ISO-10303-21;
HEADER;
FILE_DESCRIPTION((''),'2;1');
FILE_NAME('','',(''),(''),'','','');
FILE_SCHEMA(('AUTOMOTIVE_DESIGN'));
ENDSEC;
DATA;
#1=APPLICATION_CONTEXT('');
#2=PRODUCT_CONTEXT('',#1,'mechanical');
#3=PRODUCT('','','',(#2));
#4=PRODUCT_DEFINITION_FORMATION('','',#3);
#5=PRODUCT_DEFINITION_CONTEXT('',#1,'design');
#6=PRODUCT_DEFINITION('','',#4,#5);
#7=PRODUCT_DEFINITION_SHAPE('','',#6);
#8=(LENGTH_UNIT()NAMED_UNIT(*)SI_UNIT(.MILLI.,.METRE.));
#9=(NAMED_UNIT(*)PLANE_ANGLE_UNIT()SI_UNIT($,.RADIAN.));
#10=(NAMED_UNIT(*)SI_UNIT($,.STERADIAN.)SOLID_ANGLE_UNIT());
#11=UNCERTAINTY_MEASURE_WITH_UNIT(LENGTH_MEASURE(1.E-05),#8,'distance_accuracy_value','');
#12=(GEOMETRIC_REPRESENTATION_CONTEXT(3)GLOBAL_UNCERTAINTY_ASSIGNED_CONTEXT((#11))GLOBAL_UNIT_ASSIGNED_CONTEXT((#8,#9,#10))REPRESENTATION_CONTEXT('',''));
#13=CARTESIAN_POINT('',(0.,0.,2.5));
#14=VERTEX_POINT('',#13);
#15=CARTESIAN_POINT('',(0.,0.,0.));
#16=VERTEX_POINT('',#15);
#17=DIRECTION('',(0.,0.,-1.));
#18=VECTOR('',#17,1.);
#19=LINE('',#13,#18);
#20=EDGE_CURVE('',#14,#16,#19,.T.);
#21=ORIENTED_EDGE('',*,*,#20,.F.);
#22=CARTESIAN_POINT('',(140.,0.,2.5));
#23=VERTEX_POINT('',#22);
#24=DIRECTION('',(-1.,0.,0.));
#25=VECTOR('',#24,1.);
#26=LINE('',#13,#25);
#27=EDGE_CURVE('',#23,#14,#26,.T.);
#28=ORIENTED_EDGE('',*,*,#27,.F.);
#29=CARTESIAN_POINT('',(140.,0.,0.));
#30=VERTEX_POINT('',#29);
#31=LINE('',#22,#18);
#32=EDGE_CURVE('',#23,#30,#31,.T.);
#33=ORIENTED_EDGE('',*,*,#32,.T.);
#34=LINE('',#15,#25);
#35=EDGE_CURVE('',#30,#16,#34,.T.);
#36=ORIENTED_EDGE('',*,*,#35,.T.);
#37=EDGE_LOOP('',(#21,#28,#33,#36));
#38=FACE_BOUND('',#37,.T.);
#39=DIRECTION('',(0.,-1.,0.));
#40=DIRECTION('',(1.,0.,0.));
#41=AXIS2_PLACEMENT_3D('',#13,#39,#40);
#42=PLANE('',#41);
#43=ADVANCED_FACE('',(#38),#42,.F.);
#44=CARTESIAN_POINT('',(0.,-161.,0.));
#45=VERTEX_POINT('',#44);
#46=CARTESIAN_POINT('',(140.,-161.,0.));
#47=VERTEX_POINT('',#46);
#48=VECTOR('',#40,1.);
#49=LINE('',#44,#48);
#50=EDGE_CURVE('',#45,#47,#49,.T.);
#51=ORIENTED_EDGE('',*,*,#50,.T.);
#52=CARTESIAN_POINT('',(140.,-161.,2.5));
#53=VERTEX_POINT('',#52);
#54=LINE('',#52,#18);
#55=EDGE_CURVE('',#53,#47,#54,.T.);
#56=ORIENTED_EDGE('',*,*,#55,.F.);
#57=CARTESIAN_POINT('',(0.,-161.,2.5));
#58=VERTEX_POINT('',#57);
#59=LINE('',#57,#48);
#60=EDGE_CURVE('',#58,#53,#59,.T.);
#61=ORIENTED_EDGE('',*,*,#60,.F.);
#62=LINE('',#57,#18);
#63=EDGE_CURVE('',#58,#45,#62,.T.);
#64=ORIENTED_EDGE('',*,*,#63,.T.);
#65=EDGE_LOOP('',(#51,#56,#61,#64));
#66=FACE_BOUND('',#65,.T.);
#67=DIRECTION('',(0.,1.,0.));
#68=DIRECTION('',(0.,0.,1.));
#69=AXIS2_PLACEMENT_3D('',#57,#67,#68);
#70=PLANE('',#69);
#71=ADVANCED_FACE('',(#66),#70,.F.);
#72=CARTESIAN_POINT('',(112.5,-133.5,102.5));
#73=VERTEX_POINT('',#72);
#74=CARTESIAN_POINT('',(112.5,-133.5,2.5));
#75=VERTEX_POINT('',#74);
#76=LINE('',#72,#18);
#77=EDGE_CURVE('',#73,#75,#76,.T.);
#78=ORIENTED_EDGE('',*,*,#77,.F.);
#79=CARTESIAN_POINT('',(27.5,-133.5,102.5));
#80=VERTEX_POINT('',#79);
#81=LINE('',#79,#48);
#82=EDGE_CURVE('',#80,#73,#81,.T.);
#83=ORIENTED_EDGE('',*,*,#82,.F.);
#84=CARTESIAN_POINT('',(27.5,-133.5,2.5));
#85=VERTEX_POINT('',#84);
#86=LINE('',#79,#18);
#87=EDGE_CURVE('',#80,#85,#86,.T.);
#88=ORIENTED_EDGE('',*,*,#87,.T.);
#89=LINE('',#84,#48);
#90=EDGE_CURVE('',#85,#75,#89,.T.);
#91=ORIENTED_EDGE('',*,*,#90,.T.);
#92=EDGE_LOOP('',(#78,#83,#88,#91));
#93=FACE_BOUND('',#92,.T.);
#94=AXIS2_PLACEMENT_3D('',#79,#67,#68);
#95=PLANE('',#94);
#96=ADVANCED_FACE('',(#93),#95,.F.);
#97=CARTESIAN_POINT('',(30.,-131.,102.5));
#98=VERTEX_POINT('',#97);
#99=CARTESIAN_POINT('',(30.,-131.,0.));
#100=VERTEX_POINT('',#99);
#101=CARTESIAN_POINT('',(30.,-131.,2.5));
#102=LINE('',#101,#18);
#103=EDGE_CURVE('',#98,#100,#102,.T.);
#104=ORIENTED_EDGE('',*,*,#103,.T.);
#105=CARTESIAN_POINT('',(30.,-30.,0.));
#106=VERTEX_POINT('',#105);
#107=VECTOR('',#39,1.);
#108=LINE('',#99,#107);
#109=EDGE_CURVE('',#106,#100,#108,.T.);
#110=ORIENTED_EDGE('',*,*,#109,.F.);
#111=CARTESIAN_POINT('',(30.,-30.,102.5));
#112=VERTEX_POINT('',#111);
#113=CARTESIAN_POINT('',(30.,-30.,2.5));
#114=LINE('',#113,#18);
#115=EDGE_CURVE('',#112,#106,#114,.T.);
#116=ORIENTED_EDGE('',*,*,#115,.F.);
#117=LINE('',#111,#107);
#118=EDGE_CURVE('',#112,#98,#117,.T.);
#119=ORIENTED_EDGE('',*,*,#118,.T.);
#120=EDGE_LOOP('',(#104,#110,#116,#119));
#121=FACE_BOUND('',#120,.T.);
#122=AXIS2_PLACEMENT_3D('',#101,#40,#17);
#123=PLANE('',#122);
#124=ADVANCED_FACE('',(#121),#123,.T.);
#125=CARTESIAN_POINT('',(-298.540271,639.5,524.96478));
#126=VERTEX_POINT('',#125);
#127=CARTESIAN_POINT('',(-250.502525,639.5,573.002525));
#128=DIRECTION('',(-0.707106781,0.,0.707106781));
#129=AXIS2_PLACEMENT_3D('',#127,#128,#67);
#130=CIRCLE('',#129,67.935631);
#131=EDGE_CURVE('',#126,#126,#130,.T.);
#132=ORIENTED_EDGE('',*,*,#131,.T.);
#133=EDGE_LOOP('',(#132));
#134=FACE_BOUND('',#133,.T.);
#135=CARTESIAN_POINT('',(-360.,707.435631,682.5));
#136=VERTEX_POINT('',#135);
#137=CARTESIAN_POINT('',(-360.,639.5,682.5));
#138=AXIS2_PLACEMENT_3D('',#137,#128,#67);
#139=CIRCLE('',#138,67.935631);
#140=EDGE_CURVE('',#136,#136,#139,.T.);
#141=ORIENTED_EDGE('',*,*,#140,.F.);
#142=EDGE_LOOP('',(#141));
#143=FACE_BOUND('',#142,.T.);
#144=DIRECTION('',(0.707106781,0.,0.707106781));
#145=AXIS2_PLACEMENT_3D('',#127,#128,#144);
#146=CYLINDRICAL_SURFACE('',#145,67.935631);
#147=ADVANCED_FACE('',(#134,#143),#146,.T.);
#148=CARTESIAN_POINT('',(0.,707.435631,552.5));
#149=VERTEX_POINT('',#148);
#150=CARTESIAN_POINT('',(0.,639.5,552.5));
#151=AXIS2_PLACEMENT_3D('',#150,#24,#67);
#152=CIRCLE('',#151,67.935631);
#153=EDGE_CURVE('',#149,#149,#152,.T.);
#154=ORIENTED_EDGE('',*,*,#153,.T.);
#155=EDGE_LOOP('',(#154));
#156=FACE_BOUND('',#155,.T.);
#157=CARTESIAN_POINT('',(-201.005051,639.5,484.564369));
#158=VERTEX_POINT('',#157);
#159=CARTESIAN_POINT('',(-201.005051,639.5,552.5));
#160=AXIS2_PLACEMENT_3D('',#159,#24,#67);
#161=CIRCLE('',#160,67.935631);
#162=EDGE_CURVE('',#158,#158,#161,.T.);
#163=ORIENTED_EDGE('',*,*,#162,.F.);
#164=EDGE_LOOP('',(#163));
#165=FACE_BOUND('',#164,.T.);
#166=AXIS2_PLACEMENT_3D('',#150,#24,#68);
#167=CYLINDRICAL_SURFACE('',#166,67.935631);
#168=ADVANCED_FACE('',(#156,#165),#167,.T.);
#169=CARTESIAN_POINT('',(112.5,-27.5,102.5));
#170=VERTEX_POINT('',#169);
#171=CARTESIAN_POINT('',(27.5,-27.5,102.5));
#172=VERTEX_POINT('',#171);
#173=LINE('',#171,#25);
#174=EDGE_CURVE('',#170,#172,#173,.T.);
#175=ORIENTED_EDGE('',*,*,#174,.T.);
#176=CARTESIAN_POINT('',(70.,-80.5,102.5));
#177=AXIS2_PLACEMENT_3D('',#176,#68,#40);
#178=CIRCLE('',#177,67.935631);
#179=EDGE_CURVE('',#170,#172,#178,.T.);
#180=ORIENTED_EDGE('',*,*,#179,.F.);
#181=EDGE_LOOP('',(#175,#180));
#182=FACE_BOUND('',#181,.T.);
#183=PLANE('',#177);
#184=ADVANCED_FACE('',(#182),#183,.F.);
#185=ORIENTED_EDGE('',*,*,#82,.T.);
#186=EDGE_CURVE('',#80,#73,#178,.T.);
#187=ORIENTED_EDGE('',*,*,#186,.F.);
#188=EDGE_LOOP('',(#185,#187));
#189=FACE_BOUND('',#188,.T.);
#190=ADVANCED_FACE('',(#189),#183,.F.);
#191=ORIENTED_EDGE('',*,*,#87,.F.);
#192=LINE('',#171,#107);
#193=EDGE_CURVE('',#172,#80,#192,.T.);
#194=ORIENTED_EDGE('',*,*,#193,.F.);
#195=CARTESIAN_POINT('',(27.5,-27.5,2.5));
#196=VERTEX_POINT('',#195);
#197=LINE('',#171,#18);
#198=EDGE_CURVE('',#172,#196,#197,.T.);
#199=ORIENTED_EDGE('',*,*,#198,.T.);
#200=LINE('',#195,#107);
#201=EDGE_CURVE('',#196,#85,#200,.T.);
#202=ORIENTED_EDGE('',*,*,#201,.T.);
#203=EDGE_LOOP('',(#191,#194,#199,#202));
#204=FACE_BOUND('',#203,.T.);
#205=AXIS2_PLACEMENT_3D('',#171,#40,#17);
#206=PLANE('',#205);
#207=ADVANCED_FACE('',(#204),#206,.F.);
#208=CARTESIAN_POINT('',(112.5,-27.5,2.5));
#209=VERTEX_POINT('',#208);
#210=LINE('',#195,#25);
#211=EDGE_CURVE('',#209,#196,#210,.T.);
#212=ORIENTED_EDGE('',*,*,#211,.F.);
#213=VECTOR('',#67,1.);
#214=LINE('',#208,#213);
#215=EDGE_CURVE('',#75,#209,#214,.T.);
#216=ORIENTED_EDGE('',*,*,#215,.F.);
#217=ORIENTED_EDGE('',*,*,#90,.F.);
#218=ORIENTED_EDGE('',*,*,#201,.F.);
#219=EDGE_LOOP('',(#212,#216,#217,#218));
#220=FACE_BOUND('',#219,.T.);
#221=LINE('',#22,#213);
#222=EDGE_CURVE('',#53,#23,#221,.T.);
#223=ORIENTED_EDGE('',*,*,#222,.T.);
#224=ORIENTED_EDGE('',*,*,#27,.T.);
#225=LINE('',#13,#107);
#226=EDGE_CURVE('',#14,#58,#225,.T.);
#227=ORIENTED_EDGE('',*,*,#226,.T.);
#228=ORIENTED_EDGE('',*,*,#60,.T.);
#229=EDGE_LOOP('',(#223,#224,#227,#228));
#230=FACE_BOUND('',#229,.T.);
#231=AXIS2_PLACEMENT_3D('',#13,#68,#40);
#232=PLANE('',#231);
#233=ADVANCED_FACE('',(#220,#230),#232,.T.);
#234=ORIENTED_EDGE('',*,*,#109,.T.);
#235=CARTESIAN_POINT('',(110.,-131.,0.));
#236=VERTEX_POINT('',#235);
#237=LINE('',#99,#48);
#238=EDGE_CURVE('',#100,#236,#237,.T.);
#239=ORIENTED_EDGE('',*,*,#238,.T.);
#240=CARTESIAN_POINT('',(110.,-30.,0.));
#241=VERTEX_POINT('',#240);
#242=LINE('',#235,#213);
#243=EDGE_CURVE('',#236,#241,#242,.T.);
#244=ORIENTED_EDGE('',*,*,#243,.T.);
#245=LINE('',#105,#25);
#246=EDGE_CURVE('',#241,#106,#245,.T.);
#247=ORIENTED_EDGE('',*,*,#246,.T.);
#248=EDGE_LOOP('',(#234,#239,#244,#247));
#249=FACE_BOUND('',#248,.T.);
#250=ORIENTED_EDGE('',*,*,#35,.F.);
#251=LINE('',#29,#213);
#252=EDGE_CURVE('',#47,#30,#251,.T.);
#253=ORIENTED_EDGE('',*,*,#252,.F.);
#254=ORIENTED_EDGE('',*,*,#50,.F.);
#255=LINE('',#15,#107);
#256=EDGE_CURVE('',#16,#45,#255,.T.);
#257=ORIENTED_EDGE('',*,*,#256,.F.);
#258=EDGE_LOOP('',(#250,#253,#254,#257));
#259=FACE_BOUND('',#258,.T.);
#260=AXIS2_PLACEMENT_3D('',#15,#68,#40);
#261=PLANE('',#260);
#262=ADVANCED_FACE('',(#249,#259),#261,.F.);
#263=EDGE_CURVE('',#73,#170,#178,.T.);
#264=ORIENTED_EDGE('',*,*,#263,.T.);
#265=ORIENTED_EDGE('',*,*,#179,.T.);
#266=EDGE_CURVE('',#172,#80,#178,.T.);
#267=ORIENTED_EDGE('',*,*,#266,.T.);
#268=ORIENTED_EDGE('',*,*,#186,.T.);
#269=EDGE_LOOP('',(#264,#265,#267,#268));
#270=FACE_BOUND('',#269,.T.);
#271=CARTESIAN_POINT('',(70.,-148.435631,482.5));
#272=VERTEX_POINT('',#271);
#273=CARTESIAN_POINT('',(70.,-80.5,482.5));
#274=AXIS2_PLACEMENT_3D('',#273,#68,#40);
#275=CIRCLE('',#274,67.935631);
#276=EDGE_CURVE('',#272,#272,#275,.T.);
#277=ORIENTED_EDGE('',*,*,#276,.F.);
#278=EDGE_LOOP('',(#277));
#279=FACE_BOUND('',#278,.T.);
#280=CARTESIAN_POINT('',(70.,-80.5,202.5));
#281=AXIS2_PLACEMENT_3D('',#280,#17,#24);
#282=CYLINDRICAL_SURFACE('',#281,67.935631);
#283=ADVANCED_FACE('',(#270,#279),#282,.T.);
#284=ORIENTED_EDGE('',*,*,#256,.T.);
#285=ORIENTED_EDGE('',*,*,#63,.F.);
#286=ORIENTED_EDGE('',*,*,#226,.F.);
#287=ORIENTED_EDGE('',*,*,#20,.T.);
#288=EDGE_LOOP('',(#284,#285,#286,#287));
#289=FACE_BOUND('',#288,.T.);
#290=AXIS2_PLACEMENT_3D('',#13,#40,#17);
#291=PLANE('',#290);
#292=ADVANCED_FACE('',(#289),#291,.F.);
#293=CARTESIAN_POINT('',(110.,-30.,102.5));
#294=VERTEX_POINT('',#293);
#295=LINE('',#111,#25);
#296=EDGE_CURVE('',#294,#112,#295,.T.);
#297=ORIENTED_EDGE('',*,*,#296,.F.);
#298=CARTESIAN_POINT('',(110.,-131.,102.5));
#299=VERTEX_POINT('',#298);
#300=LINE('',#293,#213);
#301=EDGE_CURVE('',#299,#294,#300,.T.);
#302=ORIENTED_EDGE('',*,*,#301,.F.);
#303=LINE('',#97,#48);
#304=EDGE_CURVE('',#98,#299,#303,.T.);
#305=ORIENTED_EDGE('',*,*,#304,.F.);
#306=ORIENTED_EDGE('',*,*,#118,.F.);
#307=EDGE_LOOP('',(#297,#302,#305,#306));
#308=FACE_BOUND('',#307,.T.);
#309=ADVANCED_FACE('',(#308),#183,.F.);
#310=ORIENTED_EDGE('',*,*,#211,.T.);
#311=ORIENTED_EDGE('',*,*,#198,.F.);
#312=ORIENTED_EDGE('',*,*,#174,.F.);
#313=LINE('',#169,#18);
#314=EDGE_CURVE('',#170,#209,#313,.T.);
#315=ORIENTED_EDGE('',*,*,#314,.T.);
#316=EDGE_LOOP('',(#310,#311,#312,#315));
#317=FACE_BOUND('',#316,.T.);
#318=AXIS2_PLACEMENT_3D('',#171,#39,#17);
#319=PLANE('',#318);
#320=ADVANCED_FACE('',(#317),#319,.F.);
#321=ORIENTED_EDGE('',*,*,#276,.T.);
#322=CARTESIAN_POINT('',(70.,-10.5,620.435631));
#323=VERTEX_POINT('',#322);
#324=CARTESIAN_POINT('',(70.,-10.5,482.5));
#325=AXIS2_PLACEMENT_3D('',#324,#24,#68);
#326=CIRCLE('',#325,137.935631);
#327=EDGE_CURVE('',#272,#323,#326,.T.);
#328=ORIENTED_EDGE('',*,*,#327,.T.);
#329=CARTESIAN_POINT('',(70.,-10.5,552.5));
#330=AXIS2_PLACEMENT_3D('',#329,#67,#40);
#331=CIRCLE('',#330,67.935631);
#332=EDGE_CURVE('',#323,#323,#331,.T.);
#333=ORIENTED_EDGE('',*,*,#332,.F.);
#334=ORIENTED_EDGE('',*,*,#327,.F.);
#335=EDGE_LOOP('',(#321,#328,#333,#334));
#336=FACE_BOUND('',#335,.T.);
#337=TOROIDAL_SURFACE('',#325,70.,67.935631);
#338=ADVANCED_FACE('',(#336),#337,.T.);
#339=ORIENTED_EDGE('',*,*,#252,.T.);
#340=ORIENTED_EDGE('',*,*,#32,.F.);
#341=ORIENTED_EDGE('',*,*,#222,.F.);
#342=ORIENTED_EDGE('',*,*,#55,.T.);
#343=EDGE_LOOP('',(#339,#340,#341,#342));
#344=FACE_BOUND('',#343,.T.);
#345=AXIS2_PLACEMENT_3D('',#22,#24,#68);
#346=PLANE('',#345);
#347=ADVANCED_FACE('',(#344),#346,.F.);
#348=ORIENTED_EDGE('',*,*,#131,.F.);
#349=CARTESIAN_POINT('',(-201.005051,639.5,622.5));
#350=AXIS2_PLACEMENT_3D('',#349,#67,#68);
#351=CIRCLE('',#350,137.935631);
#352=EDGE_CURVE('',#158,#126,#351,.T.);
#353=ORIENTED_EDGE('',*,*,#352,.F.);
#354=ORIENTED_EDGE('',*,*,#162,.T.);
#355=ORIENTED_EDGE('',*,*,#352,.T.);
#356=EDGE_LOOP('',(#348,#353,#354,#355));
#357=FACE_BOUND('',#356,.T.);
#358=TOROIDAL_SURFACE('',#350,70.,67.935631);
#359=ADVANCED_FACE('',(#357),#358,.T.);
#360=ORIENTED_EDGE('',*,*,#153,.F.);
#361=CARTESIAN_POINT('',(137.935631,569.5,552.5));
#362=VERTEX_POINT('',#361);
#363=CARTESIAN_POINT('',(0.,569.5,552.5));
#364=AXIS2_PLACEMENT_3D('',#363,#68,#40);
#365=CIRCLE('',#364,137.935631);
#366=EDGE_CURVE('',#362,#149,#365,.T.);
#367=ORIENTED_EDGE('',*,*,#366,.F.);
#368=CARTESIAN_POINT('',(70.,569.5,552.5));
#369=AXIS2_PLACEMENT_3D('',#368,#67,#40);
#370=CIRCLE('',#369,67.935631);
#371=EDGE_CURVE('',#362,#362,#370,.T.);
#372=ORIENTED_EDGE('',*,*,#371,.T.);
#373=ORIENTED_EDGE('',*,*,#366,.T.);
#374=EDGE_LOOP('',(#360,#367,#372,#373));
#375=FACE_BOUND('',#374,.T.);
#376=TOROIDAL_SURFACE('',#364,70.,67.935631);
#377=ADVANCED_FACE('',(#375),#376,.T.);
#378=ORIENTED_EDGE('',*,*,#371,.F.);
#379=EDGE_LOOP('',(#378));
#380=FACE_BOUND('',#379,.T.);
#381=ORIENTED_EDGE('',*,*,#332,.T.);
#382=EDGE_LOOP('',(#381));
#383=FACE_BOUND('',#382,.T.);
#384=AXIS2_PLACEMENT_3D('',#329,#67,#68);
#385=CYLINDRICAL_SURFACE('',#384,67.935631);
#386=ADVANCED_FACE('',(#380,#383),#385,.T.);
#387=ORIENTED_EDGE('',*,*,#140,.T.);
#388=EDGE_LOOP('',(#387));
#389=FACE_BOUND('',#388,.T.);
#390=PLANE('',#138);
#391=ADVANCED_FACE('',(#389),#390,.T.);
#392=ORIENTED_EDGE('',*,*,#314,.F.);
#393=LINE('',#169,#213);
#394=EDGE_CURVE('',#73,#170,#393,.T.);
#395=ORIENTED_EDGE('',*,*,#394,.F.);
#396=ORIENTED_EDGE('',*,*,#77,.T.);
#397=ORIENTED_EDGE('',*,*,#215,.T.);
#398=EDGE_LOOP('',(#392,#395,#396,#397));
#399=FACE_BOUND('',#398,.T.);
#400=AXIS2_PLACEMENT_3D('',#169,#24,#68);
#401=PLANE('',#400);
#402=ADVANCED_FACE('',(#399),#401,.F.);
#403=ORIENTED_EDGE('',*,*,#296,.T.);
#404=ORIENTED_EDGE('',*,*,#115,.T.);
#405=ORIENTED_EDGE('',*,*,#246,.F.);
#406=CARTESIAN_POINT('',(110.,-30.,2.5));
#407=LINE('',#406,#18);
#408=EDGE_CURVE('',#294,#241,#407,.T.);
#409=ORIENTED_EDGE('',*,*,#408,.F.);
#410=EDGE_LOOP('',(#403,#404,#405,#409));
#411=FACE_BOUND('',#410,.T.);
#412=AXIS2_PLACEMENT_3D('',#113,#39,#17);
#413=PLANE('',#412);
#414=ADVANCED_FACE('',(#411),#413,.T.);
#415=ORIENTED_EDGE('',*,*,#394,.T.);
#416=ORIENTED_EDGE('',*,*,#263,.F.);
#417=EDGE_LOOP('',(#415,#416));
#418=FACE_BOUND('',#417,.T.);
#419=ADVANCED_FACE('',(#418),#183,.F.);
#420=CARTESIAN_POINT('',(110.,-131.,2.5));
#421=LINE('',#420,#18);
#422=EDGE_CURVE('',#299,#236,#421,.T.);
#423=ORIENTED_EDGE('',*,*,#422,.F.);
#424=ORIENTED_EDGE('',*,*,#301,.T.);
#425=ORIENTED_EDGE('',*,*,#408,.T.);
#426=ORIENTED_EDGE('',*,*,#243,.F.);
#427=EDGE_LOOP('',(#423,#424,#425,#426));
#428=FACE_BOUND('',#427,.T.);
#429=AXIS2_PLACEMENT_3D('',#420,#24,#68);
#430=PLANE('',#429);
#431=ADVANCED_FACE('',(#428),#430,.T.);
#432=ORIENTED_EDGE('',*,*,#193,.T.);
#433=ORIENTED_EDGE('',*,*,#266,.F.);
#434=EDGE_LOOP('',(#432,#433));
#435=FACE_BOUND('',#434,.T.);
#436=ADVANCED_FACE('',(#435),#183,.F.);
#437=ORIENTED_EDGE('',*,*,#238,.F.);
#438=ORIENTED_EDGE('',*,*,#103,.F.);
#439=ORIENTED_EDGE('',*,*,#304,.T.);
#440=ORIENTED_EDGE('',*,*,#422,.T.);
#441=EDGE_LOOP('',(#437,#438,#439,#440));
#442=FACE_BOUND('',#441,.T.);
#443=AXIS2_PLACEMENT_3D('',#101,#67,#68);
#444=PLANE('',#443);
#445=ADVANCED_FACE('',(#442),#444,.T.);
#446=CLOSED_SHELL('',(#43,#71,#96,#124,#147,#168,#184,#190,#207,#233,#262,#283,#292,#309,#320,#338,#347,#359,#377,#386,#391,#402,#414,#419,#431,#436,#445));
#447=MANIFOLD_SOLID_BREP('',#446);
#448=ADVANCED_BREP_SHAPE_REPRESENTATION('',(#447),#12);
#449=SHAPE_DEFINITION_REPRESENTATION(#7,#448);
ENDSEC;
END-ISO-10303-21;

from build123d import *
from build123d.topology import SkipClean

# Parameters (mm, degrees)
CROQUIS1_W              = 140
CROQUIS1_H              = 161
CROQUIS1_W_2            = 80
CROQUIS1_H_2            = 101
SALIENTE_EXTRUIR1_DEPTH = 2.5
CROQUIS2_W              = 85
CROQUIS2_H              = 106
CROQUIS2_W_2            = 80
CROQUIS2_H_2            = 101
SALIENTE_EXTRUIR2_DEPTH = 100
CROQUIS3_R              = 67.935631299
SALIENTE_EXTRUIR3_DEPTH = 100
CROQUIS4_R              = 67.935631299


with BuildPart() as part:
    # Croquis1 → Saliente-Extruir1 (new body)
    with BuildSketch(Plane.XY):
        with Locations((70, -80.5)):
            Rectangle(CROQUIS1_W, CROQUIS1_H)
        with Locations((70, -80.5)):
            Rectangle(CROQUIS1_W_2, CROQUIS1_H_2, mode=Mode.SUBTRACT)
    extrude(amount=SALIENTE_EXTRUIR1_DEPTH)

    # Croquis2 → Saliente-Extruir2 (add)
    with BuildSketch(Plane.XY.offset(2.5)):
        with Locations((70, -80.5)):
            Rectangle(CROQUIS2_W, CROQUIS2_H)
        with Locations((70, -80.5)):
            Rectangle(CROQUIS2_W_2, CROQUIS2_H_2, mode=Mode.SUBTRACT)
    extrude(amount=SALIENTE_EXTRUIR2_DEPTH)

    # Croquis3 → Saliente-Extruir3 (add)
    with BuildSketch(Plane.XY.offset(102.5)):
        with Locations(Location((70, -80.5, 0), (0, 0, 128.725665443))):
            Circle(CROQUIS3_R)
    extrude(amount=SALIENTE_EXTRUIR3_DEPTH)

    # Barrer1: sweep along a curve in space
    with SkipClean():  # the faces are left unmerged after this step: merging them gives an invalid solid
        with BuildLine() as barrer1_path:
            Line((70, -80.5, 202.5), (70, -80.5, 482.5))
            ThreePointArc((70, -80.5, 482.5), (70, -59.997474683, 531.997474683), (70, -10.5, 552.5))
            Line((70, -10.5, 552.5), (70, 569.5, 552.5))
            ThreePointArc((70, 569.5, 552.5), (49.497474683, 618.997474683, 552.5), (0, 639.5, 552.5))
            Line((0, 639.5, 552.5), (-201.005050634, 639.5, 552.5))
            ThreePointArc((-201.005050634, 639.5, 552.5), (-227.792890899, 639.5, 557.828432724), (-250.502525317, 639.5, 573.002525317))
            Line((-360, 639.5, 682.5), (-250.502525317, 639.5, 573.002525317))
        # Croquis4 → Barrer1 (sweep)
        with BuildSketch(Plane.XY.offset(202.5)):
            with Locations((70, -80.5)):
                Circle(CROQUIS4_R)
        sweep(path=barrer1_path.line)


solid = part.part
